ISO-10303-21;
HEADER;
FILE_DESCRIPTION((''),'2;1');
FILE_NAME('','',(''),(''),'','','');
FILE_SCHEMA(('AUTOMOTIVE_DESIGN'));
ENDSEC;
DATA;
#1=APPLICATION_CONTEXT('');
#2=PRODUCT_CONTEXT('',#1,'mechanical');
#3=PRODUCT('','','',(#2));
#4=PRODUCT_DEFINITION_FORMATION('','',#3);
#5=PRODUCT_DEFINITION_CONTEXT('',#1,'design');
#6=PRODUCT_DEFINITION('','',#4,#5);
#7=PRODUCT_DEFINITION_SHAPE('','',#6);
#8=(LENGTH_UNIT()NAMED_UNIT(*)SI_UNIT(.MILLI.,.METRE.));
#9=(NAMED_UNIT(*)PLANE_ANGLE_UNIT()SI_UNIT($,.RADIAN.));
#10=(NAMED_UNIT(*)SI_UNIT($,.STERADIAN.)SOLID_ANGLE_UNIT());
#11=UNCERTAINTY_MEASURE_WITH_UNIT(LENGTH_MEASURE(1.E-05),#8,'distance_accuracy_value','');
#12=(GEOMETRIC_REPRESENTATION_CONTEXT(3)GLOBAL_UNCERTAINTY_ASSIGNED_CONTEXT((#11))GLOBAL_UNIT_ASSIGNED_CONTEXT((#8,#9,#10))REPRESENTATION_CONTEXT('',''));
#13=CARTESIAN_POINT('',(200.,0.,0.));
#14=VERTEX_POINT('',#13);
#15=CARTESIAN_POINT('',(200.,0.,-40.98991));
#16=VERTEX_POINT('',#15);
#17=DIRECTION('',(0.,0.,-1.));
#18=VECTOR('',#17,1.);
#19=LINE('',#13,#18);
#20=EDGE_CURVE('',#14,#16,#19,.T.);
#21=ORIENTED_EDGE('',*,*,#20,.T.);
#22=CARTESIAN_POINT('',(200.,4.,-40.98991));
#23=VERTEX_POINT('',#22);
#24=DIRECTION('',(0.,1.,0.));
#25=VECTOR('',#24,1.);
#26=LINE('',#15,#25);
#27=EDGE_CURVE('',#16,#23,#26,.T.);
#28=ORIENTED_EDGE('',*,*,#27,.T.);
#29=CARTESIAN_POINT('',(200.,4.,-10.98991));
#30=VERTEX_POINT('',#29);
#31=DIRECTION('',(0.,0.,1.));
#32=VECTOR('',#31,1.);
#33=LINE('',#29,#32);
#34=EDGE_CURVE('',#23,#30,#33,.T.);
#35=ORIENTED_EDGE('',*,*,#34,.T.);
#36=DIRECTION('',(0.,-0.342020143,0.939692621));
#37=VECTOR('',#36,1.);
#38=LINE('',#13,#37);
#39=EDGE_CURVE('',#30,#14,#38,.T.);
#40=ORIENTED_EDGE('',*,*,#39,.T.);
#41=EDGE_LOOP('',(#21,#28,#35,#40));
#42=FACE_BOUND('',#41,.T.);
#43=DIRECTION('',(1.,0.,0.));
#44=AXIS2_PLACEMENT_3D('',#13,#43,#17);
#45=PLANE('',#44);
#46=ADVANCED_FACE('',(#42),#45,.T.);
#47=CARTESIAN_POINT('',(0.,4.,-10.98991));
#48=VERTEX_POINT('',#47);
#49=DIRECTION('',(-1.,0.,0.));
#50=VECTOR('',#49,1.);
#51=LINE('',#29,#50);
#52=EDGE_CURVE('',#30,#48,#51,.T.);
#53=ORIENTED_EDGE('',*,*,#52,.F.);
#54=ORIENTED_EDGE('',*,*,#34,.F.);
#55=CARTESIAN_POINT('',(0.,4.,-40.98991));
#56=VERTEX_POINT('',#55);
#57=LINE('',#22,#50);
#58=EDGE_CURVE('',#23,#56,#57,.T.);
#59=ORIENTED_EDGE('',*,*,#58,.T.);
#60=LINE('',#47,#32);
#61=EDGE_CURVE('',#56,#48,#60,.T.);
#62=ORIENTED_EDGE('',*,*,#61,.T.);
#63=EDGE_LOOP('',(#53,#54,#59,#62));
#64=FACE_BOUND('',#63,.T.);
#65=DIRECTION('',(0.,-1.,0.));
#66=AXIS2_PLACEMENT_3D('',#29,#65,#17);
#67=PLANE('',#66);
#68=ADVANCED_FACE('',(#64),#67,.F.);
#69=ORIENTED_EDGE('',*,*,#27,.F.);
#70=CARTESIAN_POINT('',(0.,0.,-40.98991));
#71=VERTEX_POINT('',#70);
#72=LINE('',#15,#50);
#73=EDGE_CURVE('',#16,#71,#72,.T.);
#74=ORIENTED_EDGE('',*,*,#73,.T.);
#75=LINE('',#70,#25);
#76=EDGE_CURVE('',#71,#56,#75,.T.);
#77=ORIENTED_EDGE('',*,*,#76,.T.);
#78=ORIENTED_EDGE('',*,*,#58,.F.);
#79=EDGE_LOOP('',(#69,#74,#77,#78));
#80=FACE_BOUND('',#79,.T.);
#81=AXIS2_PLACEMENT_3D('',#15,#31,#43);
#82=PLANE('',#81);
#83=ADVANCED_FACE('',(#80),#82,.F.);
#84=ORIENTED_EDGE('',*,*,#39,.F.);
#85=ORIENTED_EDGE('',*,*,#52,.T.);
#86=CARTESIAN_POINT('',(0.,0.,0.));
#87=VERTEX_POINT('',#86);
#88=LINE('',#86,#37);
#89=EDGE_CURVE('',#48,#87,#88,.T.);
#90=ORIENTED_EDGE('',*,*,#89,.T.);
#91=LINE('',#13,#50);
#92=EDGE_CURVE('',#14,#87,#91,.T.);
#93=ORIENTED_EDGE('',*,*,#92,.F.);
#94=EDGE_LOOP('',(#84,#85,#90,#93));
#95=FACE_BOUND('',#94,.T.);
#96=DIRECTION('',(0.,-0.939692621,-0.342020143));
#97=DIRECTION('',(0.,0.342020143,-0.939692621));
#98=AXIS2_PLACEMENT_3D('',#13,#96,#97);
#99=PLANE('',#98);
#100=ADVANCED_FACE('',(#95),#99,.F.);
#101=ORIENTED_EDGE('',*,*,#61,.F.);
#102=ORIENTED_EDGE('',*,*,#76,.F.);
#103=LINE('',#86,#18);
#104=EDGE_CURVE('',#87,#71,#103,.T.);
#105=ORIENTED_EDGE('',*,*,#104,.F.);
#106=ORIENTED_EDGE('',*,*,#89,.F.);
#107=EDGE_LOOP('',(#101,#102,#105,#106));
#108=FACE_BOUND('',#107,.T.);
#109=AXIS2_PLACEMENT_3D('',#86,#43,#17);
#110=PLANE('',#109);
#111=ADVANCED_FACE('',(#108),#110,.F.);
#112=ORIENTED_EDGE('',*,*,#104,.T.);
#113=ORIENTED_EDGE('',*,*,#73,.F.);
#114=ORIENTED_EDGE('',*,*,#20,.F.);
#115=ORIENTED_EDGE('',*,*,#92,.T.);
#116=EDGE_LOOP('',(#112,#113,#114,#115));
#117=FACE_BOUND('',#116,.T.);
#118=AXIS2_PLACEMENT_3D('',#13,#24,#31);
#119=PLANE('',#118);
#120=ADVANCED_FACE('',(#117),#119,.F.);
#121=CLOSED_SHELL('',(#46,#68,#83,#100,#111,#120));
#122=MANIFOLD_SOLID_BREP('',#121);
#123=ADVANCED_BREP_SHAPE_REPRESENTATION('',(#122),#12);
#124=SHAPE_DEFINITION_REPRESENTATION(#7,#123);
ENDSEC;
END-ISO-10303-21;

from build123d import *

# Parameters (mm, degrees)
SALIENTE_EXTRUIR1_DEPTH = 200


with BuildPart() as part:
    # Croquis1 → Saliente-Extruir1 (new body)
    with BuildSketch(Plane(origin=(0, 0, 0), x_dir=(0, 0, -1), z_dir=(1, 0, 0))):
        Polygon((0, 0), (10.989909678, 4), (40.989909678, 4), (40.989909678, 0), align=None)
    extrude(amount=SALIENTE_EXTRUIR1_DEPTH)


solid = part.part
